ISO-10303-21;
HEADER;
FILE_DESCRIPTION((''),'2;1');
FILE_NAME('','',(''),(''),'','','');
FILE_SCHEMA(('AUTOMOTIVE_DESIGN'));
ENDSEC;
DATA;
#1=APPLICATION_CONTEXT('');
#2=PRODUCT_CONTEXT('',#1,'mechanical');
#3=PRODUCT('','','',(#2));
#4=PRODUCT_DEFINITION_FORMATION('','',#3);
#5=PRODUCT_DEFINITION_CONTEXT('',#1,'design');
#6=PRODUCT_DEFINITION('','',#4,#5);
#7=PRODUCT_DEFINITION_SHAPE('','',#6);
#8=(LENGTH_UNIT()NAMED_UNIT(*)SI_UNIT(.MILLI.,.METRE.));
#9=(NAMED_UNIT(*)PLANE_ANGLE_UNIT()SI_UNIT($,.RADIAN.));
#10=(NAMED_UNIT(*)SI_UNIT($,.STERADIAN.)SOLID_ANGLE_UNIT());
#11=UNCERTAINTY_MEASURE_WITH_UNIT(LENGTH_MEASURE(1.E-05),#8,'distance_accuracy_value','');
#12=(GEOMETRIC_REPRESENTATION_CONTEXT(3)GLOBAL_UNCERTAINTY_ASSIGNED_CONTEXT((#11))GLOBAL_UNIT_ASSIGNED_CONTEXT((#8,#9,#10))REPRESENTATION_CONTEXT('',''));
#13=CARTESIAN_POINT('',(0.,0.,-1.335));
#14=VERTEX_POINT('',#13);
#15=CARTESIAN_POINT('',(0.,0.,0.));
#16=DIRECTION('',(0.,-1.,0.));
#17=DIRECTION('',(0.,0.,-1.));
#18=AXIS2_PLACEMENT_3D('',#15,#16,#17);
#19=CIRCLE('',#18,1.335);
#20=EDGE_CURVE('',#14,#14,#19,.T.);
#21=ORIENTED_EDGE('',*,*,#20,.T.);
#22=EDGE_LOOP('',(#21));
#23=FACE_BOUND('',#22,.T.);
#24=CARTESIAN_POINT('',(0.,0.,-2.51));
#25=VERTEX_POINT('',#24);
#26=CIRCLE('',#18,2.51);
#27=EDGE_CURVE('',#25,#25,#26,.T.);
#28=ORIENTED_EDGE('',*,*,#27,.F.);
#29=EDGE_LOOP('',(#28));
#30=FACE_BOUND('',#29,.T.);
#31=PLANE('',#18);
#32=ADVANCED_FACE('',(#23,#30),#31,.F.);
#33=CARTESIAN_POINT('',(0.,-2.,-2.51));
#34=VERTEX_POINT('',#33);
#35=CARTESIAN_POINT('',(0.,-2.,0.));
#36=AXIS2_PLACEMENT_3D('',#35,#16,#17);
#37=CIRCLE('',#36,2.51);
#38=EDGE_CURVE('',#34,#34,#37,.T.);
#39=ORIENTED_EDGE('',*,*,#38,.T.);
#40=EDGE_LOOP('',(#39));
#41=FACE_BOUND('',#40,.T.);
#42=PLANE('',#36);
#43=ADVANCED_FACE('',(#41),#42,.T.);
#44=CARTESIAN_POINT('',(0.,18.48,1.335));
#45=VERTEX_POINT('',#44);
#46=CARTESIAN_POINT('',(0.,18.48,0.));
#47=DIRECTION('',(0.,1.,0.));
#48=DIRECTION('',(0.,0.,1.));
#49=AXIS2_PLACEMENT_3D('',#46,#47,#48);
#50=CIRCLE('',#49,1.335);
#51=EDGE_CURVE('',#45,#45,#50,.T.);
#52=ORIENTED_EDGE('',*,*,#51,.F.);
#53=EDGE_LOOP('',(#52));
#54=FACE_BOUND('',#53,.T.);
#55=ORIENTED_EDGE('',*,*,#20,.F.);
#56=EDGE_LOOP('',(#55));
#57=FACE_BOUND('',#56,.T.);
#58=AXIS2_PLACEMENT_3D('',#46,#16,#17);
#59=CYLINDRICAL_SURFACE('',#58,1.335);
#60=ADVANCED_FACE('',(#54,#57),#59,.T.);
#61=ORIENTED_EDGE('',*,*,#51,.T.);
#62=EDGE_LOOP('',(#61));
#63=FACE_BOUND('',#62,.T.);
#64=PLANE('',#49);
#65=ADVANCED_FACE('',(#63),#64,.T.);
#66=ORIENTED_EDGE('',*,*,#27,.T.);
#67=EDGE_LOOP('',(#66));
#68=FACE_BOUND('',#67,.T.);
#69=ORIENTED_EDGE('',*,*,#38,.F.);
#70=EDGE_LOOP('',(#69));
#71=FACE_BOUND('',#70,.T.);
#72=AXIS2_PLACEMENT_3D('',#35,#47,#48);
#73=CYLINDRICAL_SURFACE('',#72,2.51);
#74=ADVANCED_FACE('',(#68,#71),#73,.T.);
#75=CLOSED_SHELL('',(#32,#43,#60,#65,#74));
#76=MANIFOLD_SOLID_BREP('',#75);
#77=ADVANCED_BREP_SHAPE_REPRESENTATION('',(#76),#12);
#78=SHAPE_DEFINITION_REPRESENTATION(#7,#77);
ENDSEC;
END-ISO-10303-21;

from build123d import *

# Parameters (mm, degrees)
SKETCH1_R           = 1.335
BOSS_EXTRUDE1_DEPTH = 18.48
SKETCH2_R           = 2.51
BOSS_EXTRUDE2_DEPTH = 2


with BuildPart() as part:
    # Sketch1 → Boss-Extrude1 (new body)
    with BuildSketch(Plane(origin=(0, 0, 0), x_dir=(1, 0, 0), z_dir=(0, 1, 0))):
        Circle(SKETCH1_R)
    extrude(amount=BOSS_EXTRUDE1_DEPTH)

    # Sketch2 → Boss-Extrude2 (add)
    with BuildSketch(Plane.XZ):
        Circle(SKETCH2_R)
    extrude(amount=BOSS_EXTRUDE2_DEPTH)


solid = part.part
